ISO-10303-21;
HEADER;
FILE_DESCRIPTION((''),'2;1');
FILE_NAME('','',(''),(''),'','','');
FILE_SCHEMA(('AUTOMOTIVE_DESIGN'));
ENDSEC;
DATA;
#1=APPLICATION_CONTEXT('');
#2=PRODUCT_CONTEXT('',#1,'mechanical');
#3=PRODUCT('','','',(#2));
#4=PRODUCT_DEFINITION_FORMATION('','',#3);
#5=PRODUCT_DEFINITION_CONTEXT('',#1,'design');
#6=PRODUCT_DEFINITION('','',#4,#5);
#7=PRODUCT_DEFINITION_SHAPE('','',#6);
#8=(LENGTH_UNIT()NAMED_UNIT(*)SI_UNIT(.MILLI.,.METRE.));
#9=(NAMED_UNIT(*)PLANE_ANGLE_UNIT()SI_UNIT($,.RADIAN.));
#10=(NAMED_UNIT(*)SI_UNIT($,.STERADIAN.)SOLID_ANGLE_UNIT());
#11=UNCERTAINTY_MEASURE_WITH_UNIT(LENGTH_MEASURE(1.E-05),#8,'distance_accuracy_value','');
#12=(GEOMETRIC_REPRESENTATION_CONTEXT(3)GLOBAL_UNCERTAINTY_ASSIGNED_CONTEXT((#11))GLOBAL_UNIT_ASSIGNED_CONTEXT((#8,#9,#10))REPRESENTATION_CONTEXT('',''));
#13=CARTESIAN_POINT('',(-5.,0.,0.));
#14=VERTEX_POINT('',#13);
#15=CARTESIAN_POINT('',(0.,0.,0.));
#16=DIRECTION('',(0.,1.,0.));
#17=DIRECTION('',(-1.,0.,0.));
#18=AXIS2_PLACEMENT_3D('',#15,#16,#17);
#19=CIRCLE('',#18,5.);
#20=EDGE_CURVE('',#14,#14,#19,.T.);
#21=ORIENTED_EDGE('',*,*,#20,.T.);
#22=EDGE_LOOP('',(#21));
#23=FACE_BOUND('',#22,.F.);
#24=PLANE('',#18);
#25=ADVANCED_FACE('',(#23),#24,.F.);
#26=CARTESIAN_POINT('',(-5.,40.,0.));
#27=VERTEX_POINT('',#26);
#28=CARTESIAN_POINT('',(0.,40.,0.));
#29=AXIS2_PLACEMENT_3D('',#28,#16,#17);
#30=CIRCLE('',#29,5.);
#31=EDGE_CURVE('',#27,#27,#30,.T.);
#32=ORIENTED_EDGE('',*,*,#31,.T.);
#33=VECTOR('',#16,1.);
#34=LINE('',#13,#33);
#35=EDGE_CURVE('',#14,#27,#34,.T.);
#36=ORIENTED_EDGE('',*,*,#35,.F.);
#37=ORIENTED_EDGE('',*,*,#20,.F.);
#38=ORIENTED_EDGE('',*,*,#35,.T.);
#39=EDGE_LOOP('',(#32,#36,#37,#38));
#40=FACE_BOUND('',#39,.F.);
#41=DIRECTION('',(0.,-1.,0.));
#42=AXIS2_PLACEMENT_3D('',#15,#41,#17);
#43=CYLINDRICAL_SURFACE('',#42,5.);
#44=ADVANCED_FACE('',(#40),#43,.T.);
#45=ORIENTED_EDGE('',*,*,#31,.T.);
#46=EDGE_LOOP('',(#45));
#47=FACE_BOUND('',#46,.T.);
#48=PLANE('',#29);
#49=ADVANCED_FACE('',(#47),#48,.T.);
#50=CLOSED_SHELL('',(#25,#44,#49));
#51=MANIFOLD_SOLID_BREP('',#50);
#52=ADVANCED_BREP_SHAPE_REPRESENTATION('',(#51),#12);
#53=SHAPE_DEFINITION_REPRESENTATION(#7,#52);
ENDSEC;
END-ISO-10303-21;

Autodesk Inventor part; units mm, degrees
ref_plane "YZ Plane" through (0, 0, 0) normal (1, 0, 0) x (0, 1, 0)
ref_plane "XZ Plane" through (0, 0, 0) normal (0, 1, 0) x (-1, 0, 0)
ref_plane "XY Plane" through (0, 0, 0) normal (0, 0, 1) x (1, 0, 0)
sketch "Sketch1" plane through (0, 0, 0) normal (0, 1, 0) x (-1, 0, 0)
  circle A0 centre (0, 0) radius 5
  dimension "d0" = 10
extrude "Extrusion1" add sketch "Sketch1" along normal blind 40
properties part number "Sendi Capit"
